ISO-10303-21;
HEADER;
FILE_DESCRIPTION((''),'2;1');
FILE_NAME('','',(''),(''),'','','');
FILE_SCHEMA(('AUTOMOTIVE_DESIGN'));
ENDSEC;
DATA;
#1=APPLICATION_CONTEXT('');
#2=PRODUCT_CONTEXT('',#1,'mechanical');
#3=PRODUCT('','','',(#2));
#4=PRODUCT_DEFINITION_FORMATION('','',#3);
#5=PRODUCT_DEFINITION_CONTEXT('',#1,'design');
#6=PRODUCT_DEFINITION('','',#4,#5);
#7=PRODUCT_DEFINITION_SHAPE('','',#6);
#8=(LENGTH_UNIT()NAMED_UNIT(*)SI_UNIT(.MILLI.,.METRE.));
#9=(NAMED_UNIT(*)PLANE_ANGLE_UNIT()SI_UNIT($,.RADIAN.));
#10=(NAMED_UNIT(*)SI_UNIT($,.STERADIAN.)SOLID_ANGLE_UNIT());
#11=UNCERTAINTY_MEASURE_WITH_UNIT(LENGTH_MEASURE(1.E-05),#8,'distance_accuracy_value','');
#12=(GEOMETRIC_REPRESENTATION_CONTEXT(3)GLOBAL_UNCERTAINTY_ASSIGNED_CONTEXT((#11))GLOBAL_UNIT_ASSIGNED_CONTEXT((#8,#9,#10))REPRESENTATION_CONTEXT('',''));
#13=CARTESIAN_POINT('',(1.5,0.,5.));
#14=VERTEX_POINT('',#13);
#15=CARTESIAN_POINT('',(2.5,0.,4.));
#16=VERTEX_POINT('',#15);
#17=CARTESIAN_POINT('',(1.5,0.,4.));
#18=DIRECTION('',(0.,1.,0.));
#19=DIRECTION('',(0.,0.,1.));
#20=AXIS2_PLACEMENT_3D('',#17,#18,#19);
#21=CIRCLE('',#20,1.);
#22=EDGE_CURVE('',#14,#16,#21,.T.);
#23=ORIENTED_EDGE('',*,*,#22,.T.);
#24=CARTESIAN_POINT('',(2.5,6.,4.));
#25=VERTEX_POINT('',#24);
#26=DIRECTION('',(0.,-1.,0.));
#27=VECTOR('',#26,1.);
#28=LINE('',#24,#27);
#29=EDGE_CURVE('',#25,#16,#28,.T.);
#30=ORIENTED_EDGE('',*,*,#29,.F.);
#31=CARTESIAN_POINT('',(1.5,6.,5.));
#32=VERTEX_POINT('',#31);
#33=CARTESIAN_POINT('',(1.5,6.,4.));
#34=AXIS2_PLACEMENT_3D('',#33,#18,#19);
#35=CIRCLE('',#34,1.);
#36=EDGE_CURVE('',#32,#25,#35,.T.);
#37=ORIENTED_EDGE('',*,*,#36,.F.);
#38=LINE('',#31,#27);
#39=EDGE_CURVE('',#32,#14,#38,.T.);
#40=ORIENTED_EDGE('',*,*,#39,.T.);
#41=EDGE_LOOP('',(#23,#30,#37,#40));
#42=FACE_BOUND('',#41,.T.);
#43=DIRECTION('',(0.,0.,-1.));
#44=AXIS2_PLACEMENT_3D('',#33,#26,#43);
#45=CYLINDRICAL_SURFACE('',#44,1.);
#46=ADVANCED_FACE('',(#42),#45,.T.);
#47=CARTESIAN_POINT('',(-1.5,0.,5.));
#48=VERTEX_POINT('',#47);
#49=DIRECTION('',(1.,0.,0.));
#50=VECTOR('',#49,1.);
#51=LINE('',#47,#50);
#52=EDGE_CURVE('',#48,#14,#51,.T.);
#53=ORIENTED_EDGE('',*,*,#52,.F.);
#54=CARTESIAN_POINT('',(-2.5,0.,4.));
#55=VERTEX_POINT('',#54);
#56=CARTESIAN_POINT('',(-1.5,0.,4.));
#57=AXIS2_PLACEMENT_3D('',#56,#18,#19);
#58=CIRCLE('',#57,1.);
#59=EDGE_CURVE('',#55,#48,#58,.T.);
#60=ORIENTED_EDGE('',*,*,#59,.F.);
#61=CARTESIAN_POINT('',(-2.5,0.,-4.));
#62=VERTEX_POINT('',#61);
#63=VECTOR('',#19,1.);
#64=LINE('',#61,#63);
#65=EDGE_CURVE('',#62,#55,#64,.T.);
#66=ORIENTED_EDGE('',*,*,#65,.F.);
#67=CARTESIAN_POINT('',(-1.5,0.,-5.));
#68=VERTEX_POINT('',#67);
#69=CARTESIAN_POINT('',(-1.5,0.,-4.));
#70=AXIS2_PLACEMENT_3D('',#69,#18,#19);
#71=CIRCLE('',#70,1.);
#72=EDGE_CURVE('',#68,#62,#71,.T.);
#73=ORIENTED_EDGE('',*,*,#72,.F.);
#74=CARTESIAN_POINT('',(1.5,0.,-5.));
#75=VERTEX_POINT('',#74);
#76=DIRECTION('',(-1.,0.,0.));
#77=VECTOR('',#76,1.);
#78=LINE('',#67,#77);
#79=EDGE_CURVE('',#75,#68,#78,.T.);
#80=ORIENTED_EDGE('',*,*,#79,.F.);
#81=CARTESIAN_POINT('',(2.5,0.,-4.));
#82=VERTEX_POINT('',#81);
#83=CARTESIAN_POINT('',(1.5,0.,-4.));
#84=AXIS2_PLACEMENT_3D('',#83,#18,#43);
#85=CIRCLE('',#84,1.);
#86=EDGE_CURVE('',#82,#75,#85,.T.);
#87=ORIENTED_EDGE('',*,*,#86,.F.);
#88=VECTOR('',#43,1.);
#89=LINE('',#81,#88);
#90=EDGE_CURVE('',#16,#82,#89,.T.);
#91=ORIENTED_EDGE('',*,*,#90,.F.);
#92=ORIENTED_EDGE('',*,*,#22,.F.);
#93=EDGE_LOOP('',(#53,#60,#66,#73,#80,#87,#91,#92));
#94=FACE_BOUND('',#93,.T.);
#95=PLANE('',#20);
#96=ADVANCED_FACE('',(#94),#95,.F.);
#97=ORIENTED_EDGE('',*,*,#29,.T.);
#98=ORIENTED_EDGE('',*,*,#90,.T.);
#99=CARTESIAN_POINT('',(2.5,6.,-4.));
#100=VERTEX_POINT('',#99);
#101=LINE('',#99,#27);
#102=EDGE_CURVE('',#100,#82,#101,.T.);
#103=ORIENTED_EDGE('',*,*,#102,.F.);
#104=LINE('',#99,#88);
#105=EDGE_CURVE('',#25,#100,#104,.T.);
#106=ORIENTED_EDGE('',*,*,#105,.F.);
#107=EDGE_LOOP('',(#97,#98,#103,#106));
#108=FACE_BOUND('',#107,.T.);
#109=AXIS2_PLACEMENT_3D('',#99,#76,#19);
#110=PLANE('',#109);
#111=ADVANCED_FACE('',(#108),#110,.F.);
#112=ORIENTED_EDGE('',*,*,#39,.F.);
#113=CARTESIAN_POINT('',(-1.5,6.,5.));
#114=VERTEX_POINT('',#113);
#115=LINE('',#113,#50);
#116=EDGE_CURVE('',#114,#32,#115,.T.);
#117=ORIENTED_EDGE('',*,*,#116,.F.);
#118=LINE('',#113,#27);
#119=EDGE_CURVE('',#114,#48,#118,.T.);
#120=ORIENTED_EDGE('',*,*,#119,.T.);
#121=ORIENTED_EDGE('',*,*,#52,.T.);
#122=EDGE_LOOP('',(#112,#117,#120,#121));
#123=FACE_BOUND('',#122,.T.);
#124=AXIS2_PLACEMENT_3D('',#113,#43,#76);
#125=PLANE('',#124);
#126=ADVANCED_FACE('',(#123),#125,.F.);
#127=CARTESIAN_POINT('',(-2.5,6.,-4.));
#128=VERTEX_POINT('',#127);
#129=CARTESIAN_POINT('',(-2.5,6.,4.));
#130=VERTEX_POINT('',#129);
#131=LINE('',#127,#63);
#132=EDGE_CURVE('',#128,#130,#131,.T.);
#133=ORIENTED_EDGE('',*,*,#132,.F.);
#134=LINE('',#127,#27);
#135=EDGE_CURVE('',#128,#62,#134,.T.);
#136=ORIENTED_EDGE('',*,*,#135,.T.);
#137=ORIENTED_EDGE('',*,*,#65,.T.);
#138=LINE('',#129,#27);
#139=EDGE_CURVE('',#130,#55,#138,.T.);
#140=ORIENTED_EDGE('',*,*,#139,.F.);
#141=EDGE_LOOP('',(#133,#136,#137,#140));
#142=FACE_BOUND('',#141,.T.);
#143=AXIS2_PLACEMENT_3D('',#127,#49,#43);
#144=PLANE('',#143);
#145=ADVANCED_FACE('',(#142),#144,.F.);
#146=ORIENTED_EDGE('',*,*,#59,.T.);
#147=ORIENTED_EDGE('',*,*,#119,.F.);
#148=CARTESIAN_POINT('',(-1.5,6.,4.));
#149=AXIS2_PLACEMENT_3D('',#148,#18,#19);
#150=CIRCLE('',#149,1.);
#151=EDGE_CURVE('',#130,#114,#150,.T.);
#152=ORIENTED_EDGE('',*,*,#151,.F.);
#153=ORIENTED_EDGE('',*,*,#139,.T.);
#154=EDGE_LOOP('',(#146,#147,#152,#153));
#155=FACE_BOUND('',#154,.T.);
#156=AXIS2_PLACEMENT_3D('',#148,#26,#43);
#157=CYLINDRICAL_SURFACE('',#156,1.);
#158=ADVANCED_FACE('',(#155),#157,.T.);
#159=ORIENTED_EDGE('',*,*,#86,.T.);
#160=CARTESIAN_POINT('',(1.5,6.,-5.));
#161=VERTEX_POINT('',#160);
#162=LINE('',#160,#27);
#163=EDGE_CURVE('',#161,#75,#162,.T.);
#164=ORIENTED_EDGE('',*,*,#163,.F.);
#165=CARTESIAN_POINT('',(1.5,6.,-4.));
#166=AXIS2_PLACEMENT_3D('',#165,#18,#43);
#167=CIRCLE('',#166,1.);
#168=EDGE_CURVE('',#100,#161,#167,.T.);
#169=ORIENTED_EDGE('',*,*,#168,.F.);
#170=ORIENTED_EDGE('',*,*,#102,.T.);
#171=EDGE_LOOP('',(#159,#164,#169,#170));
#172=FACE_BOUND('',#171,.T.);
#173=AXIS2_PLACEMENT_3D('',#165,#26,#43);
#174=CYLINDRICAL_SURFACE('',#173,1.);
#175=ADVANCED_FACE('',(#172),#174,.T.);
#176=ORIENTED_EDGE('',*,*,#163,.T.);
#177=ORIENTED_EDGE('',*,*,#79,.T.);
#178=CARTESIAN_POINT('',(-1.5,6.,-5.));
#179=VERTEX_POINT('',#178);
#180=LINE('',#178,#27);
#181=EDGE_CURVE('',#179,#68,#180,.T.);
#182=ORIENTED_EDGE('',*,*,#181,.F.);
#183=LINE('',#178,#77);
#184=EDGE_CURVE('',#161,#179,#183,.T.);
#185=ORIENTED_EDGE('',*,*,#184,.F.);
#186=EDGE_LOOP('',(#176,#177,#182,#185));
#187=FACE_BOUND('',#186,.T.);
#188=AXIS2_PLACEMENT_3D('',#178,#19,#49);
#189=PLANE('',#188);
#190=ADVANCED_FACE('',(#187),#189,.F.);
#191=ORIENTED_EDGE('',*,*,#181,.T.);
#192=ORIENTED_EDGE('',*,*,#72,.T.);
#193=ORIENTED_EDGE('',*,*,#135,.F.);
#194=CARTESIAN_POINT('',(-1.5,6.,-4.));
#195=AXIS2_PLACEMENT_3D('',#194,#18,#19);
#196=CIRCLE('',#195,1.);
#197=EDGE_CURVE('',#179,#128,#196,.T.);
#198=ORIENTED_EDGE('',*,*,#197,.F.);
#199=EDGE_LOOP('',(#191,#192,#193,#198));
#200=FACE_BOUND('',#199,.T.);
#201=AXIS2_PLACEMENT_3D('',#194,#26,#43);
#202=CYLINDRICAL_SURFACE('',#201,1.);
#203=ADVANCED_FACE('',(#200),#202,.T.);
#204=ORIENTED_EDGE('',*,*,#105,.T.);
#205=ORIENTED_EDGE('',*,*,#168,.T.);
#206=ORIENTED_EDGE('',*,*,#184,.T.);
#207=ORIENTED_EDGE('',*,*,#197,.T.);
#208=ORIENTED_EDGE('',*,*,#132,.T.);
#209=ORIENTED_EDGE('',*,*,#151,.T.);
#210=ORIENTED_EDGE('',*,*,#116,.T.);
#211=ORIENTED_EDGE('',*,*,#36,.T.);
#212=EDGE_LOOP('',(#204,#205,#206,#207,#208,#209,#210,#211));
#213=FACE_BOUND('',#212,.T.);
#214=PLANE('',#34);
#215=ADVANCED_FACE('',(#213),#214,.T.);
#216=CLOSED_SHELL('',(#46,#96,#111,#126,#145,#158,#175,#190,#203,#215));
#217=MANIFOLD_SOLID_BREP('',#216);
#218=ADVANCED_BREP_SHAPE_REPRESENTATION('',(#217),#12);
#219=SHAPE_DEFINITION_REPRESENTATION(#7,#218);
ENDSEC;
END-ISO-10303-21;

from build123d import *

# Parameters (mm, degrees)
BOSS_EXTRUDE1_DEPTH = 6


with BuildPart() as part:
    # Sketch1 → Boss-Extrude1 (new body)
    with BuildSketch(Plane(origin=(0, 0, 0), x_dir=(1, 0, 0), z_dir=(0, 1, 0))):
        with BuildLine():
            Line((-1.5, 5), (1.5, 5))
            ThreePointArc((1.5, 5), (2.207106781, 4.707106781), (2.5, 4))
            Line((2.5, 4), (2.5, -4))
            ThreePointArc((2.5, -4), (2.207106781, -4.707106781), (1.5, -5))
            Line((1.5, -5), (-1.5, -5))
            ThreePointArc((-1.5, -5), (-2.207106781, -4.707106781), (-2.5, -4))
            Line((-2.5, -4), (-2.5, 4))
            ThreePointArc((-2.5, 4), (-2.207106781, 4.707106781), (-1.5, 5))
        make_face()
    extrude(amount=BOSS_EXTRUDE1_DEPTH)


solid = part.part
